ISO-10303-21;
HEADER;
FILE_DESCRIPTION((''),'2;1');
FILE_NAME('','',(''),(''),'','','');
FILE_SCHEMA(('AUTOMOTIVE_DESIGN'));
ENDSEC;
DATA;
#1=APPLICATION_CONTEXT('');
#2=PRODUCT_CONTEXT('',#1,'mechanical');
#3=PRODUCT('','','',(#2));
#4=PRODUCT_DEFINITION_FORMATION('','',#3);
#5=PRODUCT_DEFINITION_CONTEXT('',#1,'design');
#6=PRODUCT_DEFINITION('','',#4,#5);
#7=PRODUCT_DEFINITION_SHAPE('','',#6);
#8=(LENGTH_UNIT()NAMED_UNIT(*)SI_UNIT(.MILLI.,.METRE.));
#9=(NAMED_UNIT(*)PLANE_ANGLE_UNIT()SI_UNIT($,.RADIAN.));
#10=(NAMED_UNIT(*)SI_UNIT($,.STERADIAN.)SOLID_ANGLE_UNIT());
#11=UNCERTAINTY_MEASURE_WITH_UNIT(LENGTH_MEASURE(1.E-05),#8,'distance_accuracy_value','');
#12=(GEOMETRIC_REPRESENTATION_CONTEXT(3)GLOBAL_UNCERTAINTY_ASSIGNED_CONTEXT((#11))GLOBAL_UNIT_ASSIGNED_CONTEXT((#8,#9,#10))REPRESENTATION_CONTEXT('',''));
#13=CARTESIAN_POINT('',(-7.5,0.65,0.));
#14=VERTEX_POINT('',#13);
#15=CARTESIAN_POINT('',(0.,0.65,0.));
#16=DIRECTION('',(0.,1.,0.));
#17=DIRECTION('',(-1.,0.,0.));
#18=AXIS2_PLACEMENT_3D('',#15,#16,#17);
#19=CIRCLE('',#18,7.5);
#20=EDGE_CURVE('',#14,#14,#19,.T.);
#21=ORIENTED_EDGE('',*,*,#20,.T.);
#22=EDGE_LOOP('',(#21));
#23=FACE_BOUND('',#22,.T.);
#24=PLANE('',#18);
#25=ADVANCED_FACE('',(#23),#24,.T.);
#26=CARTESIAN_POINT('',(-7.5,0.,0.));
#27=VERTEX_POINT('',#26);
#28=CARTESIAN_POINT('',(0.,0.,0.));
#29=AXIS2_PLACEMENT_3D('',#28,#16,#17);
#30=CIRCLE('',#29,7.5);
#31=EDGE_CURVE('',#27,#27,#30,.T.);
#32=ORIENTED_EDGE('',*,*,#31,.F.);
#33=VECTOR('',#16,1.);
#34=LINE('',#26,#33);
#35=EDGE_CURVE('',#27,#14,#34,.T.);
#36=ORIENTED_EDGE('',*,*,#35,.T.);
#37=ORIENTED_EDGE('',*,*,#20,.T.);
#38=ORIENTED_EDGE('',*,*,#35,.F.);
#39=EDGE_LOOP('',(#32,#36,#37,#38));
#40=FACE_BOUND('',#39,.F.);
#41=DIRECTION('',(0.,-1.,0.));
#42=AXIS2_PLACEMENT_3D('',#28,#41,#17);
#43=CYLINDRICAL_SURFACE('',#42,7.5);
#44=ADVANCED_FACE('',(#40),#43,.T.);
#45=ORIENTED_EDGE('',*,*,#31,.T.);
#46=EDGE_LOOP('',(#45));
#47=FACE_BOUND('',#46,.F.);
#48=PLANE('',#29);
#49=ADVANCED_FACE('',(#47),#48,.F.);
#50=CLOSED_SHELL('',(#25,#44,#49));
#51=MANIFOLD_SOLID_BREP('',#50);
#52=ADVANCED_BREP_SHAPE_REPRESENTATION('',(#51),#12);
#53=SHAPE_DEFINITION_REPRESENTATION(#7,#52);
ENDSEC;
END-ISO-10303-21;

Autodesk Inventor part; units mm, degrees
ref_plane "YZ Plane" through (0, 0, 0) normal (1, 0, 0) x (0, 1, 0)
ref_plane "XZ Plane" through (0, 0, 0) normal (0, 1, 0) x (-1, 0, 0)
ref_plane "XY Plane" through (0, 0, 0) normal (0, 0, 1) x (1, 0, 0)
sketch "Sketch1" plane through (0, 0, 0) normal (0, 1, 0) x (-1, 0, 0)
  circle A0 centre (0, 0) radius 7.5
  dimension "d0" = 15
extrude "Extrusion1" add sketch "Sketch1" along normal blind 0.65
properties part number "rubber cushion" material "Rubber"
